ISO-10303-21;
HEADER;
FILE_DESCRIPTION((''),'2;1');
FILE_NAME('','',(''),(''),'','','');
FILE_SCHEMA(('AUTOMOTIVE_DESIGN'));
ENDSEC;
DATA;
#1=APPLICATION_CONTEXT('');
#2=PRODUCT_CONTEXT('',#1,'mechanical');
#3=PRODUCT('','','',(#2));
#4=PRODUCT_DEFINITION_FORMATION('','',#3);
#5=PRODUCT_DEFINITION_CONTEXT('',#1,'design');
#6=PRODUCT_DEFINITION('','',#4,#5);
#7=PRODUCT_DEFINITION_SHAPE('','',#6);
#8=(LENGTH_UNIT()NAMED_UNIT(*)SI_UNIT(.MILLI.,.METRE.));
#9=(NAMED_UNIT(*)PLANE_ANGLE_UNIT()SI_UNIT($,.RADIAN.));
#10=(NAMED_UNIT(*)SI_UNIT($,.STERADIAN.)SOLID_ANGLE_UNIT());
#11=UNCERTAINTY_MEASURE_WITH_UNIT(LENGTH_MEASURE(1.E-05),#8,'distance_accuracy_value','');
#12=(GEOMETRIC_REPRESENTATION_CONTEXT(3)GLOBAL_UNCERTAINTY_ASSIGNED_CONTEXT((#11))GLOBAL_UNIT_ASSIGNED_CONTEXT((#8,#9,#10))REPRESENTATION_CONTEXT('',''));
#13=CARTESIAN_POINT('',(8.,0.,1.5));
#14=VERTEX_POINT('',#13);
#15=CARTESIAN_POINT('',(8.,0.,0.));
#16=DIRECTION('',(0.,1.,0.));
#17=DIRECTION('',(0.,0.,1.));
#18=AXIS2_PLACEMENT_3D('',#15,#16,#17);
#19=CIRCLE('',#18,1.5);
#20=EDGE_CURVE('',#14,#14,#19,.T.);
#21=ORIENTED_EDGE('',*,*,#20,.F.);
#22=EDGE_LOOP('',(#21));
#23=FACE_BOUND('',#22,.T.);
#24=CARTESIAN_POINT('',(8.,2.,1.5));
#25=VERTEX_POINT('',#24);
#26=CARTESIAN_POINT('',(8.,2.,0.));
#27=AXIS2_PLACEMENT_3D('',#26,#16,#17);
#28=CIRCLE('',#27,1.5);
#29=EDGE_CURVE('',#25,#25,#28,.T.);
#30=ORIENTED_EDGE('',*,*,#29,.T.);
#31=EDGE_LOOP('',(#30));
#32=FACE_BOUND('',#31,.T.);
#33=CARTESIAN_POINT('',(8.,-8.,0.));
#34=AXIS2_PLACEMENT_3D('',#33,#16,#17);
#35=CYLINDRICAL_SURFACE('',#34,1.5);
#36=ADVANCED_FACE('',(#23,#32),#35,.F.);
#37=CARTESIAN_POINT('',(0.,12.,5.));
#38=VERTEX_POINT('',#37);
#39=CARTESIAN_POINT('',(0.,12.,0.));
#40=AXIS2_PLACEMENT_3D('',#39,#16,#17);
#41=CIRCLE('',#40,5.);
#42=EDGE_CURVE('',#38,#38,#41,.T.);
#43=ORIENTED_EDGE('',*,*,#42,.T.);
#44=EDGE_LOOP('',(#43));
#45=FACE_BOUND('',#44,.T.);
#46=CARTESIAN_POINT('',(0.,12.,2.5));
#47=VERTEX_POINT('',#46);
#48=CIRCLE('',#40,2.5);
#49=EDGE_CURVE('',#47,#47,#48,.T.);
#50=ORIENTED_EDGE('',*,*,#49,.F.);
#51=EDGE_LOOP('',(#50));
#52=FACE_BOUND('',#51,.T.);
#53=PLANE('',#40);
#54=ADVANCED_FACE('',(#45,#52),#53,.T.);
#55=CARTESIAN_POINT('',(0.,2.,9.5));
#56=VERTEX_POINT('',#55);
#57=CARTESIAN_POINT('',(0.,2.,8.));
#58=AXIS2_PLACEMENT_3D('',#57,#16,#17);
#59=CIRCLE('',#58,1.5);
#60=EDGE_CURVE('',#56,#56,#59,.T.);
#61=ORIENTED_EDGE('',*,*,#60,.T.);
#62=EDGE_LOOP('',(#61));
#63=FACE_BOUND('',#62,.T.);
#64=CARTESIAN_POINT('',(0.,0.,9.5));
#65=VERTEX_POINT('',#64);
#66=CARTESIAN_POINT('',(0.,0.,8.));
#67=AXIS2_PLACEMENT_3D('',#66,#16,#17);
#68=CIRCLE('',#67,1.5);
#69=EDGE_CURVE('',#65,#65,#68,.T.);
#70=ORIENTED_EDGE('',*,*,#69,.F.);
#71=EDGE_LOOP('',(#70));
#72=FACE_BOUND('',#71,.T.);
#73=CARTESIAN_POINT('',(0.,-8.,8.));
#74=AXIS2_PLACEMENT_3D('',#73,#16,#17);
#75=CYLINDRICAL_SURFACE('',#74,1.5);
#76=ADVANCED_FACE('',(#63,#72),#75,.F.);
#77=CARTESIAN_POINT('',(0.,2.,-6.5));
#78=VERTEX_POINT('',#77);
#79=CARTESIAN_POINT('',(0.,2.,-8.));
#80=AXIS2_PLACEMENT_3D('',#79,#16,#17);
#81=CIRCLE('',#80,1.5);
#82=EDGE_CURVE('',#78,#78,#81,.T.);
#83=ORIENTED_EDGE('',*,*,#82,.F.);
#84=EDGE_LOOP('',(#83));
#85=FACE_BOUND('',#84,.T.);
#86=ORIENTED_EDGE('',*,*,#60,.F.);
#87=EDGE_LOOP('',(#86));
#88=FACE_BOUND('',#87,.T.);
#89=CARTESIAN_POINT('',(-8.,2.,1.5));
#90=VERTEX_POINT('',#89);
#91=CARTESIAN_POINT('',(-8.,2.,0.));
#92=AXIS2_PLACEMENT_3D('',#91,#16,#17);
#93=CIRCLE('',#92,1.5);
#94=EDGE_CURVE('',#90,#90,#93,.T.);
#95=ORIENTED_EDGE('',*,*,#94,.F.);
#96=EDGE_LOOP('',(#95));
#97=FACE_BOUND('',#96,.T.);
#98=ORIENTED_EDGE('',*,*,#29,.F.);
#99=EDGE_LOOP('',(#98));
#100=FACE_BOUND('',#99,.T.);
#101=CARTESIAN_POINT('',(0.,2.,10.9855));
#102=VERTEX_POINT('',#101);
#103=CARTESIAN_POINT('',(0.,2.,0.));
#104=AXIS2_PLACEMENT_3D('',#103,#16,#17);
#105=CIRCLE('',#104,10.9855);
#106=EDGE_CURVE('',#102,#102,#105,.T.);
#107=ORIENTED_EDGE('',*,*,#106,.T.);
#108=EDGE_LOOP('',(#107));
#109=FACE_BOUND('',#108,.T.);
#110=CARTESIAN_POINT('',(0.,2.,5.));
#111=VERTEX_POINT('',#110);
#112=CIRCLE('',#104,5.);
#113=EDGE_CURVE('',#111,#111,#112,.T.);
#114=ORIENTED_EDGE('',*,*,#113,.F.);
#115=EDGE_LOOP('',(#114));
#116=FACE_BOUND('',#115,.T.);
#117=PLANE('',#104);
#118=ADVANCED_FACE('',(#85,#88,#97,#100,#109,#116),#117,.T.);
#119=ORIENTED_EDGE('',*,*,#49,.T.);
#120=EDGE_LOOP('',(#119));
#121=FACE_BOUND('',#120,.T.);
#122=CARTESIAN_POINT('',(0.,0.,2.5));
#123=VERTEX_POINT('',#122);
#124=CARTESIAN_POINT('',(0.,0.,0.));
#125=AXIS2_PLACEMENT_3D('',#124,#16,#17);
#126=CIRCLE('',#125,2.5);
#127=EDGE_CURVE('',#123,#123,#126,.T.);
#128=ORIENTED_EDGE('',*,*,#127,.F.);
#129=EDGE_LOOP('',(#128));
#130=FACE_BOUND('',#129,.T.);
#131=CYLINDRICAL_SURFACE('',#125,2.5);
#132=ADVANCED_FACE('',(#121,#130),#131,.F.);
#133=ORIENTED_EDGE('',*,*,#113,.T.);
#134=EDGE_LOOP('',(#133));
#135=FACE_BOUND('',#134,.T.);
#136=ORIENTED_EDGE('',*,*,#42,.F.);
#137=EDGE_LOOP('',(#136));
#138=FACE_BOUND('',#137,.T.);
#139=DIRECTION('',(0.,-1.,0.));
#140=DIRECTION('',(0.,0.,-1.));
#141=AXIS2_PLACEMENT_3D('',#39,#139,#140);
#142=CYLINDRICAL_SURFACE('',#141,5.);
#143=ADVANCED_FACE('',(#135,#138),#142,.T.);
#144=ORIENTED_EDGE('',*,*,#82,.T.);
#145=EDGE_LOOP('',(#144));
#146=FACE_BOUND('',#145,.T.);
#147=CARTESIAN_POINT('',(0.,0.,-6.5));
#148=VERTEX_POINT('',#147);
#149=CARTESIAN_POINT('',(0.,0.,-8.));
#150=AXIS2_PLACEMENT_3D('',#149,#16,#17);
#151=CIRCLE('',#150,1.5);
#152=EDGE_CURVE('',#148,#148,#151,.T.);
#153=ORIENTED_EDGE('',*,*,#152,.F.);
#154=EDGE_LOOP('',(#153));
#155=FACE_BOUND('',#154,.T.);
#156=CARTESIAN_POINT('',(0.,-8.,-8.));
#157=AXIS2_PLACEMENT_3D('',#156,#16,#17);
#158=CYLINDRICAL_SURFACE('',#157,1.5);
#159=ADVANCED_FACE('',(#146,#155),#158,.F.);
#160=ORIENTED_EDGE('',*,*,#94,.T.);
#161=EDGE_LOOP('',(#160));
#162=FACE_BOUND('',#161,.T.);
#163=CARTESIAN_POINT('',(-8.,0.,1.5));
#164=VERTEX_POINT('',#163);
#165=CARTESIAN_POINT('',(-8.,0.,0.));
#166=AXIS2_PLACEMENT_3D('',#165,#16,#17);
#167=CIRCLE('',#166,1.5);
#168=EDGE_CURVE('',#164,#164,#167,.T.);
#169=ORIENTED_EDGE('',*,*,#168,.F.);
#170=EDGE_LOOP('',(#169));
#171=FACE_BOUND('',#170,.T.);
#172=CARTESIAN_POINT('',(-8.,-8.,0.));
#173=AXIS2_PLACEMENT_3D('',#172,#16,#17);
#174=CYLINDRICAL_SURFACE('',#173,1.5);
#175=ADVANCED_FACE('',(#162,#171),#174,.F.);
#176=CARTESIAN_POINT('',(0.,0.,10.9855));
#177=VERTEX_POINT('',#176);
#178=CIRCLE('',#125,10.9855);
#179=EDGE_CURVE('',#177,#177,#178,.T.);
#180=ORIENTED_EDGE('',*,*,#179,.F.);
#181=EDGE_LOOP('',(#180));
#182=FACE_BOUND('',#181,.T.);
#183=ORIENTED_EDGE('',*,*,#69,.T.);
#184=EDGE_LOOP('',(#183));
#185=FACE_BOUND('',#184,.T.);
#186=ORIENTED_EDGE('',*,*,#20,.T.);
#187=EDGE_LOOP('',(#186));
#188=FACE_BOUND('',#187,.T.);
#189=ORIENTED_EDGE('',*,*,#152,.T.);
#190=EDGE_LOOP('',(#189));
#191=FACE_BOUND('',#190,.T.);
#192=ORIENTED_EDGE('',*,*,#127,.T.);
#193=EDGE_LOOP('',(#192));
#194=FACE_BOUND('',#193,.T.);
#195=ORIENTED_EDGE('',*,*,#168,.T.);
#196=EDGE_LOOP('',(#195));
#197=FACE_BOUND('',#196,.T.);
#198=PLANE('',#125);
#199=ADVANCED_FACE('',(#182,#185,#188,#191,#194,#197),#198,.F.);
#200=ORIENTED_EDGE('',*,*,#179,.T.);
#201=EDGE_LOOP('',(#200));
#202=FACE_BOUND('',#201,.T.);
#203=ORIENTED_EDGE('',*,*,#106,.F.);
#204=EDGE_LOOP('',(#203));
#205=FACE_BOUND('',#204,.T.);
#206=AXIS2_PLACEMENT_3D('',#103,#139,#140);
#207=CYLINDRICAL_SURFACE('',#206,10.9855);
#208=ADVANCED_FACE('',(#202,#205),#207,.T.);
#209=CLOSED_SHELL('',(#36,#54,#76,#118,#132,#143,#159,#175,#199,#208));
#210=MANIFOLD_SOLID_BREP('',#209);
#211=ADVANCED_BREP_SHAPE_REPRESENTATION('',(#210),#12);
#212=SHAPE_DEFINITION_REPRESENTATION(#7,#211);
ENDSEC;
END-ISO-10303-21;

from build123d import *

# Parameters (mm, degrees)
SKETCH1_R               = 10.9855
BOSS_EXTRUDE1_DEPTH     = 2
SKETCH3_R               = 5
BOSS_EXTRUDE2_DEPTH     = 10
SKETCH2_R               = 2.5
CUT_EXTRUDE1_DEPTH      = 11
CUT_EXTRUDE1_DEPTH_BACK = 3
SKETCH4_R               = 1.5
CUT_EXTRUDE2_DEPTH      = 10


with BuildPart() as part:
    # Sketch1 → Boss-Extrude1 (new body)
    with BuildSketch(Plane(origin=(0, 0, 0), x_dir=(1, 0, 0), z_dir=(0, 1, 0))):
        Circle(SKETCH1_R)
    extrude(amount=BOSS_EXTRUDE1_DEPTH)

    # Sketch3 → Boss-Extrude2 (add)
    with BuildSketch(Plane(origin=(0, 2, 0), x_dir=(1, 0, 0), z_dir=(0, 1, 0))):
        Circle(SKETCH3_R)
    extrude(amount=BOSS_EXTRUDE2_DEPTH)

    # Sketch2 → Cut-Extrude1 (cut, two sides)
    with BuildSketch(Plane(origin=(0, 2, 0), x_dir=(1, 0, 0), z_dir=(0, 1, 0))) as cut_extrude1_sk:
        Circle(SKETCH2_R)
    extrude(amount=CUT_EXTRUDE1_DEPTH, mode=Mode.SUBTRACT)
    extrude(cut_extrude1_sk.sketch, amount=-CUT_EXTRUDE1_DEPTH_BACK, mode=Mode.SUBTRACT)

    # Sketch4 → Cut-Extrude2 (cut)
    with BuildSketch(Plane(origin=(0, 2, 0), x_dir=(1, 0, 0), z_dir=(0, 1, 0))):
        with Locations((8, 0)):
            Circle(SKETCH4_R)
        with Locations((0, -8)):
            Circle(SKETCH4_R)
        with Locations((-8, 0)):
            Circle(SKETCH4_R)
        with Locations((0, 8)):
            Circle(SKETCH4_R)
    extrude(amount=-CUT_EXTRUDE2_DEPTH, mode=Mode.SUBTRACT)


solid = part.part
